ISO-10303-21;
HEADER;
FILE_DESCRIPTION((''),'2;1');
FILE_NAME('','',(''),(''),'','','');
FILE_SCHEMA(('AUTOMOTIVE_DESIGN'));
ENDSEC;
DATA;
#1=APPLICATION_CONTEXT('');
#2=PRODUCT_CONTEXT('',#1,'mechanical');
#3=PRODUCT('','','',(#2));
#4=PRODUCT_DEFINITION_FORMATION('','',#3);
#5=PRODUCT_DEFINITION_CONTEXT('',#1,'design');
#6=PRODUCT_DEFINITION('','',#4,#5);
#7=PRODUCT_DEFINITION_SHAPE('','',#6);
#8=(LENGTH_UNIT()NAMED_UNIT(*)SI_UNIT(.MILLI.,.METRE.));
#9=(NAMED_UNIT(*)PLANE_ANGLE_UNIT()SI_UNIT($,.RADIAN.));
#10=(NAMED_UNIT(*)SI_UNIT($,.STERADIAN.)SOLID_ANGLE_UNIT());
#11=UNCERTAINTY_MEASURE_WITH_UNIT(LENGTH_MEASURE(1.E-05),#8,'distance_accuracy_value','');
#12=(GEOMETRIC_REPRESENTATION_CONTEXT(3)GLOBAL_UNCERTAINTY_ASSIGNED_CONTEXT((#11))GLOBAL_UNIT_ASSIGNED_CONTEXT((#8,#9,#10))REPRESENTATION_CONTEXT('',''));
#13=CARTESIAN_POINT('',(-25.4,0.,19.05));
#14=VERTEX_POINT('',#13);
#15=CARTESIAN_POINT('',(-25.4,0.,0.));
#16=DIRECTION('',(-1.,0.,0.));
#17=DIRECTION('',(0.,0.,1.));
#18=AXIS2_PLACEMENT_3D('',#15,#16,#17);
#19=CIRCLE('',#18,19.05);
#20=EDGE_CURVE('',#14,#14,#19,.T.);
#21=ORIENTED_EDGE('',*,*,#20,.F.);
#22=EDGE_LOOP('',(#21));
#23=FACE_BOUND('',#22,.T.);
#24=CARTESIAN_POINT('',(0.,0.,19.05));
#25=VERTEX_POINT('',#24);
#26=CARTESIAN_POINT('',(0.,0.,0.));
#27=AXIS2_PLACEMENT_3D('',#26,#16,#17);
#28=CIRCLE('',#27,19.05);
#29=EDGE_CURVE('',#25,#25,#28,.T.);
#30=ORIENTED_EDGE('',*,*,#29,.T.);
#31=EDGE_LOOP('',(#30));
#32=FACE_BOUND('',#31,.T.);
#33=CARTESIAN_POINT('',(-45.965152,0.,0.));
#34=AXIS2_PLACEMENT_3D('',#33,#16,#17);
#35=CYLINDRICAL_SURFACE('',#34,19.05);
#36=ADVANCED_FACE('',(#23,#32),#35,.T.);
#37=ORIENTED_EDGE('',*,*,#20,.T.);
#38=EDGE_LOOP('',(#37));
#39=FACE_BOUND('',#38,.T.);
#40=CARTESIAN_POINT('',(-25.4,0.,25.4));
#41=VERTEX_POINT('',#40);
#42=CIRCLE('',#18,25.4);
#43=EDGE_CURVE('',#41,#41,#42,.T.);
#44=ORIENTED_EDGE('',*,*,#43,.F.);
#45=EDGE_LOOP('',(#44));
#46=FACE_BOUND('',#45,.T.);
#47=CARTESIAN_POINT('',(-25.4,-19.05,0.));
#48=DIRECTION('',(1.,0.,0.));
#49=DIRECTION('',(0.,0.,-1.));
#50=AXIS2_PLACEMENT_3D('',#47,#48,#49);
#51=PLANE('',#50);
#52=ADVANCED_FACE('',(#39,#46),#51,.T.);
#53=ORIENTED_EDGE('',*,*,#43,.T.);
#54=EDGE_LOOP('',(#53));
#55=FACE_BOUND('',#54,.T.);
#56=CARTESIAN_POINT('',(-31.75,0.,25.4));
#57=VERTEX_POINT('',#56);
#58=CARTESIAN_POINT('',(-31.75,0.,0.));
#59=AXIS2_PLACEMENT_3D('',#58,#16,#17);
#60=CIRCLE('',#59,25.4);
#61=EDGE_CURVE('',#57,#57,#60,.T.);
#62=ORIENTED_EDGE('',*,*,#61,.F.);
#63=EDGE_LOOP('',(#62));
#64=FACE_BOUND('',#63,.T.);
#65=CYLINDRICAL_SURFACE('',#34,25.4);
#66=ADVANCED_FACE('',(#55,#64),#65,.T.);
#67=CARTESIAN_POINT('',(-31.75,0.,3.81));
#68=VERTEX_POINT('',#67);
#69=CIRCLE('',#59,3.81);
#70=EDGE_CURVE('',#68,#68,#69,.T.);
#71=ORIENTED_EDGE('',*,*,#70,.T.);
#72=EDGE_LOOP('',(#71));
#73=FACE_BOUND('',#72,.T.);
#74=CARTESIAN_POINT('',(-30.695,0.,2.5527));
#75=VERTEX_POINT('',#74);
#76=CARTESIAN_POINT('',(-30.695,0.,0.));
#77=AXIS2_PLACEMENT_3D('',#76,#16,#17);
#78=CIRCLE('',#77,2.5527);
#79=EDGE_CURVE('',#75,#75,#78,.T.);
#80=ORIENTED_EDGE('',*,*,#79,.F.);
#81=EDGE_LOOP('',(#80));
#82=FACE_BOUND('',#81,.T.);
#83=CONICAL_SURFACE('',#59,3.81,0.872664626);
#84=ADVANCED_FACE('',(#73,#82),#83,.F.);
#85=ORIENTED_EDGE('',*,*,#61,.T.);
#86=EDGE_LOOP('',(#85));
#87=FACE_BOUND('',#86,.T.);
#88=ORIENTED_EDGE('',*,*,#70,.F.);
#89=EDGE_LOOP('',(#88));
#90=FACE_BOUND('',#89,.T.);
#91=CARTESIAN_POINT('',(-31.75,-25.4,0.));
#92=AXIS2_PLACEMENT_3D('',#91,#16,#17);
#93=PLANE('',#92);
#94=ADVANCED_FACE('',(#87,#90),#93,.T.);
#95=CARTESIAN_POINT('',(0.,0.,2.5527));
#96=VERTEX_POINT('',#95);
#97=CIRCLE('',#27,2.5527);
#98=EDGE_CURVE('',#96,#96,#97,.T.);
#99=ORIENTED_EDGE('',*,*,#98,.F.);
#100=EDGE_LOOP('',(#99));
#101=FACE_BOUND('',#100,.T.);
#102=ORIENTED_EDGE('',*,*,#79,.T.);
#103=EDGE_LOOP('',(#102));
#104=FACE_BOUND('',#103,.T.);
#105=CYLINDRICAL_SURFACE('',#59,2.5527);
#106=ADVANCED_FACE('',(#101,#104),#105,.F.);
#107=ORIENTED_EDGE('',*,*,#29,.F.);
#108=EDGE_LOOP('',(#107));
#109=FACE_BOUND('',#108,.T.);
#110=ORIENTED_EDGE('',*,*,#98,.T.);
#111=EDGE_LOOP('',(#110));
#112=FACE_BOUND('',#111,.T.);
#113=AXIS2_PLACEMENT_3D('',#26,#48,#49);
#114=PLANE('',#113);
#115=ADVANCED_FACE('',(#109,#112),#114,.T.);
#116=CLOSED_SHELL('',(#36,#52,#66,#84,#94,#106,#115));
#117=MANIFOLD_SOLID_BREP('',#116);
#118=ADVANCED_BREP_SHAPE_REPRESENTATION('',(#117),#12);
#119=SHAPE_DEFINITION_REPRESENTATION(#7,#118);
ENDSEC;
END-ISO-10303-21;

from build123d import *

# Parameters (mm, degrees)
F_1_4_20_TAPPED_HOLE1_D           = 5.1054
F_1_4_20_TAPPED_HOLE1_CSINK_D     = 7.62
F_1_4_20_TAPPED_HOLE1_CSINK_ANGLE = 100


with BuildPart() as part:
    # Sketch1 → Revolve1 (revolve)
    with BuildSketch(Plane.XY):
        Polygon((0, 0), (0, -19.05), (-25.4, -19.05), (-25.4, -25.4), (-31.75, -25.4), (-31.75, 0), align=None)
    revolve(axis=Axis((-45.965152255, 0, 0), (1, 0, 0)))

    # 1/4-20 Tapped Hole1 (through all)
    with Locations(Plane.ZY.offset(31.75)):
        with Locations((0, 0)):
            CounterSinkHole(F_1_4_20_TAPPED_HOLE1_D / 2, F_1_4_20_TAPPED_HOLE1_CSINK_D / 2, counter_sink_angle=F_1_4_20_TAPPED_HOLE1_CSINK_ANGLE)


solid = part.part
